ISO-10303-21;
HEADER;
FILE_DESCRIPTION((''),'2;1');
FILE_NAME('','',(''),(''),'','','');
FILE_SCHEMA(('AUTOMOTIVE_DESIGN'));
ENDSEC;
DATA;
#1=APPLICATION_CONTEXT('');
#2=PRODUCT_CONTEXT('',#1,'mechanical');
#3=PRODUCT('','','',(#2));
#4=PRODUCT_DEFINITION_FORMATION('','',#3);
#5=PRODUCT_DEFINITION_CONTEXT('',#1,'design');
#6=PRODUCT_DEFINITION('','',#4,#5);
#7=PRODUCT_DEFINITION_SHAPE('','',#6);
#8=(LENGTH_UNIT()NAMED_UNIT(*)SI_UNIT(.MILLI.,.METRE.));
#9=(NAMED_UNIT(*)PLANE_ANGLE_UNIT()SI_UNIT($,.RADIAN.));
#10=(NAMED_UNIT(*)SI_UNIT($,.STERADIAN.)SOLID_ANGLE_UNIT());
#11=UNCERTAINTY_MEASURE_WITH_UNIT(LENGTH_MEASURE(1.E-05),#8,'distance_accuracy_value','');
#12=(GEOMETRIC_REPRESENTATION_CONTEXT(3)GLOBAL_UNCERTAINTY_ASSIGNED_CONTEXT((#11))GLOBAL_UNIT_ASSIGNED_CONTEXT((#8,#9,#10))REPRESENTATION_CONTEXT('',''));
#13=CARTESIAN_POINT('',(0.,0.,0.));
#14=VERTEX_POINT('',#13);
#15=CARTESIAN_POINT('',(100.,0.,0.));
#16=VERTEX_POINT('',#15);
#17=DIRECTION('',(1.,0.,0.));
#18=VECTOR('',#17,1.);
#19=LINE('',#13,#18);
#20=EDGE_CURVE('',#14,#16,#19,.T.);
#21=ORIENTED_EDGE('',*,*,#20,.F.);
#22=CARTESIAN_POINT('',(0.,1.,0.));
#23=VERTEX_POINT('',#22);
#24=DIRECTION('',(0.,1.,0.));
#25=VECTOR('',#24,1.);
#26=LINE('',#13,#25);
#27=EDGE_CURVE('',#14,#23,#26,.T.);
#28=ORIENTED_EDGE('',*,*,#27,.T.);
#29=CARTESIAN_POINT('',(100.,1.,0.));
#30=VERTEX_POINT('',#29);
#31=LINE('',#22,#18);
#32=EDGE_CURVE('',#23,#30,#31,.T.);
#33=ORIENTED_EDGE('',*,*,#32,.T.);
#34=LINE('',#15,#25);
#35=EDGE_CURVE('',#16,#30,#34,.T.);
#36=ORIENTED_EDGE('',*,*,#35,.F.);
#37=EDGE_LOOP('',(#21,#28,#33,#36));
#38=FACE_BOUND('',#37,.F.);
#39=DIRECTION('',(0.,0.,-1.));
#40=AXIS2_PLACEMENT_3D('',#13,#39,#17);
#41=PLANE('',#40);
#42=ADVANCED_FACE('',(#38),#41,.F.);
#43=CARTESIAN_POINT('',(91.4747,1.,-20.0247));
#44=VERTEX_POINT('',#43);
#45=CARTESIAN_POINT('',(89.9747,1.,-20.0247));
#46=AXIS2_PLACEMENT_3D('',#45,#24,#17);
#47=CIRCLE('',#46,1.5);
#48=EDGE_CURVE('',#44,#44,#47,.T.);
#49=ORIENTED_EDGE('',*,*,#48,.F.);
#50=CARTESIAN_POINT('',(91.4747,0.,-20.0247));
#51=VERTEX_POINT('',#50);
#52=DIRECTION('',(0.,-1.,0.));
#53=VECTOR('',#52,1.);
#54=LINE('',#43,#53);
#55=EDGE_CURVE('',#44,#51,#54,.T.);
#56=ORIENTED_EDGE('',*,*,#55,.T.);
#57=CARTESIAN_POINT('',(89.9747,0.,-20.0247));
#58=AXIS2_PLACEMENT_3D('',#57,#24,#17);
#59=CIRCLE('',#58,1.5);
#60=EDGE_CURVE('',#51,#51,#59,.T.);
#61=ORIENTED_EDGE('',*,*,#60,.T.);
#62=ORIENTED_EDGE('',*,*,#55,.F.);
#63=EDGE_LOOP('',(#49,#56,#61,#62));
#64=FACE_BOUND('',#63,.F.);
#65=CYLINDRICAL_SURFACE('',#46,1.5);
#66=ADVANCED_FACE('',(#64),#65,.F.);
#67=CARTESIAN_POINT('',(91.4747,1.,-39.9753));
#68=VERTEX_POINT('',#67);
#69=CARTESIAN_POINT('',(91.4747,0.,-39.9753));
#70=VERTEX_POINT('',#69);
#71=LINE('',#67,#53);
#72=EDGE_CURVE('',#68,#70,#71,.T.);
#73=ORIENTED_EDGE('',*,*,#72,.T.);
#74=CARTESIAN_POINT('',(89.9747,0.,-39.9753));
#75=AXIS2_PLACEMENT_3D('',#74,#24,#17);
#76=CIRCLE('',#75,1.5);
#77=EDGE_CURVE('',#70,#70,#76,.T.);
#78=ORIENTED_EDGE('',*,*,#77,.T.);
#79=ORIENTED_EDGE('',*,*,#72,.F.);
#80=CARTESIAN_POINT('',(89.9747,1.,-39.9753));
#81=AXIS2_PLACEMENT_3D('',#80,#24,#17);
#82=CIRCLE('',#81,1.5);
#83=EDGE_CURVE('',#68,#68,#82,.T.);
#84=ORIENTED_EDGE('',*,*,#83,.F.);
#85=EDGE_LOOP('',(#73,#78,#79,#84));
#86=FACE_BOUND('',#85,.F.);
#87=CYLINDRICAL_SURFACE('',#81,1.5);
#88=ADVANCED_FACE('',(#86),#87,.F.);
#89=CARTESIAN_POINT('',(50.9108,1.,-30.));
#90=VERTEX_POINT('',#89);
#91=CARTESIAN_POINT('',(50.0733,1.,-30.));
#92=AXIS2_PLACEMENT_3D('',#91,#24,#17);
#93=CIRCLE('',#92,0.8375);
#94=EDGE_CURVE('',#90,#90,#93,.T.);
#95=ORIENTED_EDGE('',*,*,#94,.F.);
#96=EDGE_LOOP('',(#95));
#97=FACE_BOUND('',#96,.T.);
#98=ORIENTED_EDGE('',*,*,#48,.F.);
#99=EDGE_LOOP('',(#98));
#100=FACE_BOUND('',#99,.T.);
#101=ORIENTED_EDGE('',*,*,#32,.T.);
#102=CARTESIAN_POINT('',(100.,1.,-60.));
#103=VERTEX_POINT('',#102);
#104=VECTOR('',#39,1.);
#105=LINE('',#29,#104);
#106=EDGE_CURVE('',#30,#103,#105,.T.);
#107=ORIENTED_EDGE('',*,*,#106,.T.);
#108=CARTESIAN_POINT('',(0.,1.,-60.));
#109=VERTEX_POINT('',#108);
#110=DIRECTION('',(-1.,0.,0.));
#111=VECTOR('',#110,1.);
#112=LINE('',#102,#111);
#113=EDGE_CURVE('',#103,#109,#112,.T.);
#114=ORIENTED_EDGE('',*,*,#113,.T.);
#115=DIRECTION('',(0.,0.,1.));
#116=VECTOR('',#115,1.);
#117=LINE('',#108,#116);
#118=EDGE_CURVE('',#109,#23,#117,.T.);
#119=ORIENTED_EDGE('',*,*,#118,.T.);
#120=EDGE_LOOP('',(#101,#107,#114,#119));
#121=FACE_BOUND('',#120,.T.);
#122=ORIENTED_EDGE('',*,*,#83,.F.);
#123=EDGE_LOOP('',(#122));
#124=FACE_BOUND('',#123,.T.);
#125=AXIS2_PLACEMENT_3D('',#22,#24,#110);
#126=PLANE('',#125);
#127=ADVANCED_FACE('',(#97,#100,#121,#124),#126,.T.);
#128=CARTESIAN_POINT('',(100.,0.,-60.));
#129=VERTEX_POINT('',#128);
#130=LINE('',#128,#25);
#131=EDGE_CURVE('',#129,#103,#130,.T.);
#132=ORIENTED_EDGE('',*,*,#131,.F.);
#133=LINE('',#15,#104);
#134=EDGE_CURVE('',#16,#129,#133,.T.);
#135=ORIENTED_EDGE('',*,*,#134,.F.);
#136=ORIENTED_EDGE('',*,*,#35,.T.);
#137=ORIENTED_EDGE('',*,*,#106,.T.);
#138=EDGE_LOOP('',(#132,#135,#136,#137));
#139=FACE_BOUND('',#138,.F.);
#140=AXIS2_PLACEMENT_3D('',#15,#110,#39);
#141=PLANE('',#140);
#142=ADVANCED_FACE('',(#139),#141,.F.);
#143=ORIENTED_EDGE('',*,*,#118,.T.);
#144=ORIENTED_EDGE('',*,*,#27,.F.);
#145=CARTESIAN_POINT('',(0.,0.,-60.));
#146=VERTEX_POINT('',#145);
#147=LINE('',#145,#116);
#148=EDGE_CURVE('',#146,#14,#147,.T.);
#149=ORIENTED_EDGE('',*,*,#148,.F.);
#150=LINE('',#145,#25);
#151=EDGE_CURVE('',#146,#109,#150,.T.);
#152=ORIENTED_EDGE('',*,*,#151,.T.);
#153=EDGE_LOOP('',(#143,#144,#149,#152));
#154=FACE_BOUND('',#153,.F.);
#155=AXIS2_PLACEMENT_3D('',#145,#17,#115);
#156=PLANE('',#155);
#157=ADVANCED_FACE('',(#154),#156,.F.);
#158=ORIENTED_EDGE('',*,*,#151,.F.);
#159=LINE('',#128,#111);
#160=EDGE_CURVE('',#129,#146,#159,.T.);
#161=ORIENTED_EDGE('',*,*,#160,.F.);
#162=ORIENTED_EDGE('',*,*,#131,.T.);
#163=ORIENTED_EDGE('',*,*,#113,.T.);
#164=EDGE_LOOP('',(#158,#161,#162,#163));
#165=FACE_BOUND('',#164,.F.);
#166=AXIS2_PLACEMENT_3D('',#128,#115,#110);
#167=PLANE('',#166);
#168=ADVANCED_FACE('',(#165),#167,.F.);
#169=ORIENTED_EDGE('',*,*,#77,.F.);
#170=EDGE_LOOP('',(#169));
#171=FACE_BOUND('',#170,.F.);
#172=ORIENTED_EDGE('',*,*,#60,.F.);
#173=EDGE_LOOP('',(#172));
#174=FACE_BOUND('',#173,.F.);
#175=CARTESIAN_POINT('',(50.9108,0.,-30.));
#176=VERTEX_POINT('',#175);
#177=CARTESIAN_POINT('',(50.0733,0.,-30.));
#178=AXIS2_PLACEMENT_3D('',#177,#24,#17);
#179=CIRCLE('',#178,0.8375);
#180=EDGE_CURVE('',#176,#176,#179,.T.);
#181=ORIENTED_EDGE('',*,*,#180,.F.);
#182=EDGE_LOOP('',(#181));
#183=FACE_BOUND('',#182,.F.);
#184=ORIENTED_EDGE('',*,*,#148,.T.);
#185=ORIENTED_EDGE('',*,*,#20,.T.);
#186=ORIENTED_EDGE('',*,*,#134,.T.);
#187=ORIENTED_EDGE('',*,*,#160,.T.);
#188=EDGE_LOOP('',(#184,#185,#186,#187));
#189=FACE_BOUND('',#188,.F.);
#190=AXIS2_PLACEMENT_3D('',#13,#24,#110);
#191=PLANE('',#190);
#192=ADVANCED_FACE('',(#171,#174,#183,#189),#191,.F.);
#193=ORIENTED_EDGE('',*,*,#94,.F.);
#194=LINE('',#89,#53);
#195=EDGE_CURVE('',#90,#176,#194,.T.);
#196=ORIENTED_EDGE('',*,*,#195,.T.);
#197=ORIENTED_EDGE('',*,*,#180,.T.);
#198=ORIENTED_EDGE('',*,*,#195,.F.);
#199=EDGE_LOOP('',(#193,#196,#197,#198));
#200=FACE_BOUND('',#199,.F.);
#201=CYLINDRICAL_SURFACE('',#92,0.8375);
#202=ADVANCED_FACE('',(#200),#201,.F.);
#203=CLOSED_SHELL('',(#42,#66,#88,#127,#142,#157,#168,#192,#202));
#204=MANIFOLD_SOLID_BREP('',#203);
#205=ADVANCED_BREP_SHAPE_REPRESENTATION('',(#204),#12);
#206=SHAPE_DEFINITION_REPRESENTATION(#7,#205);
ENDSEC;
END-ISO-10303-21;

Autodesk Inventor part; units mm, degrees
ref_plane "YZ Plane" through (0, 0, 0) normal (1, 0, 0) x (0, 1, 0)
ref_plane "XZ Plane" through (0, 0, 0) normal (0, 1, 0) x (-1, 0, 0)
ref_plane "XY Plane" through (0, 0, 0) normal (0, 0, 1) x (1, 0, 0)
sketch "Sketch1" plane through (0, 0, 0) normal (0, 1, 0) x (-1, 0, 0)
  line L0 (0, 0) -> (-100, 0)
  line L1 (-100, 0) -> (-100, -60)
  line L2 (-100, -60) -> (0, -60)
  line L3 (0, -60) -> (0, 0)
  dimension "d0" = 100
  dimension "d1" = 60
extrude "Extrusion1" add sketch "Sketch1" along normal blind 1
sketch "Sketch2" plane through (0, 1, 0) normal (0, 1, 0) x (1, 0, 0)
  circle A0 centre (89.9747, 39.9753) radius 1.5
  circle A1 centre (89.9747, 20.0247) radius 1.5
  circle A2 centre (50.0733, 30) radius 0.8375
  point P0 (0, 0)
  dimension "d4" = 3
  dimension "d5" = 3
  dimension "d6" = 1.675
extrude "Extrusion2" cut sketch "Sketch2" against normal blind 1
properties part number "anglechange"
